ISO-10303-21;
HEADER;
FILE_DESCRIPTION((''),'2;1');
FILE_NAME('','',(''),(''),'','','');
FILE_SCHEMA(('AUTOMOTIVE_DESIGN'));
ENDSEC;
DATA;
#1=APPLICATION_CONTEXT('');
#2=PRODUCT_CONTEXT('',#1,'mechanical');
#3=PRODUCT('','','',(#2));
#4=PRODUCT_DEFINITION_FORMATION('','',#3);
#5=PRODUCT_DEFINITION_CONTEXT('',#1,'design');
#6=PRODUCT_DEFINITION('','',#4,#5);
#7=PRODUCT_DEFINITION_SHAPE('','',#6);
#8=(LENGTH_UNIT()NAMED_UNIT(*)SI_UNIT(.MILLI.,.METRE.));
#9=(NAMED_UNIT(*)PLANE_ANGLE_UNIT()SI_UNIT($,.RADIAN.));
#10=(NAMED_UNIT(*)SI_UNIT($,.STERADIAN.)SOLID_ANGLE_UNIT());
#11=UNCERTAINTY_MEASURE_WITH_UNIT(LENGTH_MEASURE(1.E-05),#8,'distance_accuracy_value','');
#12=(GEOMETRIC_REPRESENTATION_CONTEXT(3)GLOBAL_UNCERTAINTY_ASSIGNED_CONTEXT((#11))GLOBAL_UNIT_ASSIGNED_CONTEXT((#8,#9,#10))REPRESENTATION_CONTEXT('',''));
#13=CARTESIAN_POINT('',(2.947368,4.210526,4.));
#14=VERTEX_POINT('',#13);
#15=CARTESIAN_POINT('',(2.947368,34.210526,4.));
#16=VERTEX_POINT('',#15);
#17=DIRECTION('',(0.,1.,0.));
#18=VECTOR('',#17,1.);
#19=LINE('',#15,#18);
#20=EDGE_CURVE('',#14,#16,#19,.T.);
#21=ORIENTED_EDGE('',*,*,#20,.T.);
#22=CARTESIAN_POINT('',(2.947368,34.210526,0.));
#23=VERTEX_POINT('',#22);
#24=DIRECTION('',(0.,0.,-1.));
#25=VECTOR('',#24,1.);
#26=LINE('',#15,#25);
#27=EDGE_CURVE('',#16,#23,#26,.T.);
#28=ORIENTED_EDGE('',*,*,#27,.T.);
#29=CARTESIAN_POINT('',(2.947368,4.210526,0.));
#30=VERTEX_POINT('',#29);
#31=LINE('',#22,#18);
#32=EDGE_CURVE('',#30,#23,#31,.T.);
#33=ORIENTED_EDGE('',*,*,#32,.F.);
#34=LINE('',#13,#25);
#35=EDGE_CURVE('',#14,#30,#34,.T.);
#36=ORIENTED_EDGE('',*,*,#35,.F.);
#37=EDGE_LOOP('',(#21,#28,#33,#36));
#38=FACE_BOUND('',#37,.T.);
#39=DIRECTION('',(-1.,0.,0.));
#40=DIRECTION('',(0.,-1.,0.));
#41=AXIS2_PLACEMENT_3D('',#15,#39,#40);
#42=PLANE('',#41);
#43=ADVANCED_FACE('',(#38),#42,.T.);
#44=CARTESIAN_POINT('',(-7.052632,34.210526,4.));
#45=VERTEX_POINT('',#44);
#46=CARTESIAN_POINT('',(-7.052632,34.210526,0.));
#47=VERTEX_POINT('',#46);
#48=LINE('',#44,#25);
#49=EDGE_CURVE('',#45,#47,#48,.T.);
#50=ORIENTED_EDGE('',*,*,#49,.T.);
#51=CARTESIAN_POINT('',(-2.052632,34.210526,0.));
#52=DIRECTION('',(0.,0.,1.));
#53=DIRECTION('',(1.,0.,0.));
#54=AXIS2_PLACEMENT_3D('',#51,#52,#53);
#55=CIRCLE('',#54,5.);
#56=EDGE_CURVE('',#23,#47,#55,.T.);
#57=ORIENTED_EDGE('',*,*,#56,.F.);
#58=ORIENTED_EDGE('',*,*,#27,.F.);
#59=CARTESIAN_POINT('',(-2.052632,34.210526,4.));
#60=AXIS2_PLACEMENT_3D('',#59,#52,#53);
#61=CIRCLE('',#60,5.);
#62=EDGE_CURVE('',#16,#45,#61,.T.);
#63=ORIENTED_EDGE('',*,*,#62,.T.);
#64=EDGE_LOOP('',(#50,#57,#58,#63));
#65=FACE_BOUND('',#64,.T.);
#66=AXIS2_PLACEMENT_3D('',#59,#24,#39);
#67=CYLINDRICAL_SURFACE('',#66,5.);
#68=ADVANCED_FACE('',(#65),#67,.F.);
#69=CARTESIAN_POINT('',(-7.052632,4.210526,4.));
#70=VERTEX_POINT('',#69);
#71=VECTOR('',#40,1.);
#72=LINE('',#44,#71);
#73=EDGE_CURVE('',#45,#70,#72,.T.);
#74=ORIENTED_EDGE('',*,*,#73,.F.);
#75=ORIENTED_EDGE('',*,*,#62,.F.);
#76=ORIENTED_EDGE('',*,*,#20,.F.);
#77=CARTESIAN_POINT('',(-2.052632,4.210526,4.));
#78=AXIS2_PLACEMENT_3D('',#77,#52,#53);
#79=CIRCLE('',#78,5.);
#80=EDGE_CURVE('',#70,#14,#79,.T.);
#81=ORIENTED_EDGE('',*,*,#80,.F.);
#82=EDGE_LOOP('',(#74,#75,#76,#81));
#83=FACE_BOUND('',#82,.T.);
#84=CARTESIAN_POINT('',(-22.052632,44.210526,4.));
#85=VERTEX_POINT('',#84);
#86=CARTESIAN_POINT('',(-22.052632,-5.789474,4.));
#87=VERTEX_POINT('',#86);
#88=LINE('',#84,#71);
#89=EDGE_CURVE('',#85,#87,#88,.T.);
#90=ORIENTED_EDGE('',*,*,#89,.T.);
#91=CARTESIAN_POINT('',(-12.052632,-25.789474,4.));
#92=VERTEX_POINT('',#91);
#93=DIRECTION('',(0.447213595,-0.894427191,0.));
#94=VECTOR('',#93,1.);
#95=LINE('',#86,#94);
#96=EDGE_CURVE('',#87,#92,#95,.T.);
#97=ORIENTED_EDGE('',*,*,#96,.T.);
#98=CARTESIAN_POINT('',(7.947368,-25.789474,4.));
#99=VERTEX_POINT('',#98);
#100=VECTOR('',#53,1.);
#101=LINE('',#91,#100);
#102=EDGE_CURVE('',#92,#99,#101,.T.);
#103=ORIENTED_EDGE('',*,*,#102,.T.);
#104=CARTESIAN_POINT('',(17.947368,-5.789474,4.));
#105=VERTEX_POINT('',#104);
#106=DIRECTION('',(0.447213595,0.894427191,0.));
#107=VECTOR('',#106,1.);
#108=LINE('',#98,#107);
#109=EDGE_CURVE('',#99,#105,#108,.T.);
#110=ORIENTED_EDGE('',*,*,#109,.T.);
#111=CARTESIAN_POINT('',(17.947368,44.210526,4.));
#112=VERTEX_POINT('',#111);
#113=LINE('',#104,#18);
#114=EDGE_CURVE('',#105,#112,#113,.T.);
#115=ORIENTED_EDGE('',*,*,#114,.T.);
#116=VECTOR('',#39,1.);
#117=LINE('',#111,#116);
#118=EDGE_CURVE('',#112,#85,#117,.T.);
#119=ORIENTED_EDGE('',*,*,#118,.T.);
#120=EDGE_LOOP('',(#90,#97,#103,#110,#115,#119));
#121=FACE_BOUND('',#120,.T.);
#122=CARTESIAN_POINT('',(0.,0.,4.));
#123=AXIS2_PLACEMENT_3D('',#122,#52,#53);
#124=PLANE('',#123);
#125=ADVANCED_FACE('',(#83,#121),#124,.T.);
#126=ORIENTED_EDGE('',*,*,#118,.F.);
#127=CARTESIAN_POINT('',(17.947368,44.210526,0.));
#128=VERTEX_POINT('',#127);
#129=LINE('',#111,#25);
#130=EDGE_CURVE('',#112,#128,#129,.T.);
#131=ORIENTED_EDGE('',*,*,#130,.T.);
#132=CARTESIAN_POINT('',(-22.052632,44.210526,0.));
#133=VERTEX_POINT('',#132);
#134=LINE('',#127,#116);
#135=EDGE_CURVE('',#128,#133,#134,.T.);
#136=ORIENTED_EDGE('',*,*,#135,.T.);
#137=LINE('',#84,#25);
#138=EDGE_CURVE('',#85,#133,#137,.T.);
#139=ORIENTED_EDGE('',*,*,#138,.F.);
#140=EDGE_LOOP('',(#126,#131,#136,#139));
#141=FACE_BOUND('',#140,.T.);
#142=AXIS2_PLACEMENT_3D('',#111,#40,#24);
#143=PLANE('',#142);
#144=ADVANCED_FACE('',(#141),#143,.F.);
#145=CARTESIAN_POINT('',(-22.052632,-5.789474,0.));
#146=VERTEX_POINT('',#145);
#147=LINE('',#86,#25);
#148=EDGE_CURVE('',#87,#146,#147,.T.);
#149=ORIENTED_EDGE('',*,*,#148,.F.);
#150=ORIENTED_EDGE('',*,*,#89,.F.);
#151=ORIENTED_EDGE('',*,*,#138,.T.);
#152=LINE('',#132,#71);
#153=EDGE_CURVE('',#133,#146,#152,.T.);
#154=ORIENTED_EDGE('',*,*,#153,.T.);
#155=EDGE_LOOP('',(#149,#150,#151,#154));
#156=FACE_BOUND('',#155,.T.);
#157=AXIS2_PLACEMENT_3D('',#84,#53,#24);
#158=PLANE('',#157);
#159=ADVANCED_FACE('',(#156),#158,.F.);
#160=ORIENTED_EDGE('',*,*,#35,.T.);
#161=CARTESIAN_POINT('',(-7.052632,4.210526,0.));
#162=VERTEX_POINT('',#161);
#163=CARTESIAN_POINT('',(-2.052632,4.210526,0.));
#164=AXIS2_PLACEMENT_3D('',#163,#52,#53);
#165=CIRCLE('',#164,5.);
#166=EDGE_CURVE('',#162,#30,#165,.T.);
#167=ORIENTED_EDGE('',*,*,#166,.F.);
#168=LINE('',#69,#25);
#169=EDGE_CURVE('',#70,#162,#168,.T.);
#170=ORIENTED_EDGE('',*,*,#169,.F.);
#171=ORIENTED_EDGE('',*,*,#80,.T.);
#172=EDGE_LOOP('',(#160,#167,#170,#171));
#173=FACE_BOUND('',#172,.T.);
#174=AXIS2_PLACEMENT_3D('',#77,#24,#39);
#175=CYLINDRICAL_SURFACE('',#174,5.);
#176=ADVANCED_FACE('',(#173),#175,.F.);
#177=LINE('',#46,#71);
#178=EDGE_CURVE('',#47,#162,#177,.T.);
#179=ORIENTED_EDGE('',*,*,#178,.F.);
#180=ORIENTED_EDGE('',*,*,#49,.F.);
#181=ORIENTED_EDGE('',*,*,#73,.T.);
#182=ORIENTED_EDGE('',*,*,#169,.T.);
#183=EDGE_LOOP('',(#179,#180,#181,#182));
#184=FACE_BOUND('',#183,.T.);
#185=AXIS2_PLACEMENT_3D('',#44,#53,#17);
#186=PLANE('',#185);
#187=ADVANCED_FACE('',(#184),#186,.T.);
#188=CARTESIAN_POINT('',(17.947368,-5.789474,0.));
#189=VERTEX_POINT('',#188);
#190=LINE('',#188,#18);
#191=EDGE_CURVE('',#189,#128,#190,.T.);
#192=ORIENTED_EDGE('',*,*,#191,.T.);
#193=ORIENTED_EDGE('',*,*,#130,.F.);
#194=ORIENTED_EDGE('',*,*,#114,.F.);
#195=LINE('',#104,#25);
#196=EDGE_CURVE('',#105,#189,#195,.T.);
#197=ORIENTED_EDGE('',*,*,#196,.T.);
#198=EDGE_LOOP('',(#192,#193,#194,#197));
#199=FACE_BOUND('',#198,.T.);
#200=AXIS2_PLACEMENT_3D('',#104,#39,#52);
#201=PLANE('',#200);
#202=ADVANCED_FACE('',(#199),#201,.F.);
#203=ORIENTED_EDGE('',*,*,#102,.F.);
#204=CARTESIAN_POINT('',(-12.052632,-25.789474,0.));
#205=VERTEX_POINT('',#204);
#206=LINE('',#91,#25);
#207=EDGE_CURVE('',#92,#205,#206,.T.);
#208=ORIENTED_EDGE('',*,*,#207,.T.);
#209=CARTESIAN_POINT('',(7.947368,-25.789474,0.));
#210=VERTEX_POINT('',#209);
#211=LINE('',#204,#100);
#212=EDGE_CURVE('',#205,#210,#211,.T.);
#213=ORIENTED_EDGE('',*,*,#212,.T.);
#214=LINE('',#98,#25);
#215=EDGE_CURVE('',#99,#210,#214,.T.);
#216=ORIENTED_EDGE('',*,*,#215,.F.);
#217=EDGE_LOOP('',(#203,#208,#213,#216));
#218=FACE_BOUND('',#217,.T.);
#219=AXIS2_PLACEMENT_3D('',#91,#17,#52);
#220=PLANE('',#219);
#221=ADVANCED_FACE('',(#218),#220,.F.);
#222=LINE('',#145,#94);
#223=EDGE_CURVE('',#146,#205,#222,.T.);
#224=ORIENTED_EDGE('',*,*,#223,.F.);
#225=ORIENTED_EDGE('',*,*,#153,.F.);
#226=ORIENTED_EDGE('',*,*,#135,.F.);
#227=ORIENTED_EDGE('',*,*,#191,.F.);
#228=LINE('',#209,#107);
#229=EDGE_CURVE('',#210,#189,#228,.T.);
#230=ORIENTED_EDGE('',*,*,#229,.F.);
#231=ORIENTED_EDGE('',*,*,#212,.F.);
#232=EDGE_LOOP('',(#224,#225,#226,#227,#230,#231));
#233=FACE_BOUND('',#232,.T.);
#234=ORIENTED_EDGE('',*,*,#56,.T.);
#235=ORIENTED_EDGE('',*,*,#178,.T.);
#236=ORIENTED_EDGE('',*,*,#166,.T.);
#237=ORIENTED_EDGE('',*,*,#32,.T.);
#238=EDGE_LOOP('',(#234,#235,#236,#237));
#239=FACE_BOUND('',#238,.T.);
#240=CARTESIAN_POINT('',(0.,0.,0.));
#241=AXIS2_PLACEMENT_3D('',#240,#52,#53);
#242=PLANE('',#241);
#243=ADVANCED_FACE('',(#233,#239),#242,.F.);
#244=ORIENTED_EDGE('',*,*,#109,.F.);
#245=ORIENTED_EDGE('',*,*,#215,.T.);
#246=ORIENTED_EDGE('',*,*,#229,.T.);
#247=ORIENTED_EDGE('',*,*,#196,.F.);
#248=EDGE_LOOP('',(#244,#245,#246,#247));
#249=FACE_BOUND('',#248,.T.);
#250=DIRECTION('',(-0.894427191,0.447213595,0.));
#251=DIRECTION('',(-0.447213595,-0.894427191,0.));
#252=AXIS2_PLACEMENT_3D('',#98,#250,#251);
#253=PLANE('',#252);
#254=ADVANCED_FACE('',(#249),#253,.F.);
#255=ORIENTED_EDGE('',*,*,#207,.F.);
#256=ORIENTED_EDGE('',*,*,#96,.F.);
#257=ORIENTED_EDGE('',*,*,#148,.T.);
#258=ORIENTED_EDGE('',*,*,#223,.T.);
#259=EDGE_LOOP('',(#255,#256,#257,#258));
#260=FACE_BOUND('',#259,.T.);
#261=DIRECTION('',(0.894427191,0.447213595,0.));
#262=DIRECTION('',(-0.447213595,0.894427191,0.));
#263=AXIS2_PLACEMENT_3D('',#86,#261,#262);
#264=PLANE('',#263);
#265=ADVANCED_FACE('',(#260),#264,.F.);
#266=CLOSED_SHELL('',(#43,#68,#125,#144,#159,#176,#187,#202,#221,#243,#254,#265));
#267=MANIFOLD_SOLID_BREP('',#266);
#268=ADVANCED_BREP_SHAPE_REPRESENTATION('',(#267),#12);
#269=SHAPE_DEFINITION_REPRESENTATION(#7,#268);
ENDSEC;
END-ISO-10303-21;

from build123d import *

# Parameters (mm, degrees)
BOSS_EXTRUDE1_DEPTH = 4


with BuildPart() as part:
    # Sketch1 → Boss-Extrude1 (new body)
    with BuildSketch(Plane.XY):
        Polygon((17.947368421, 44.210526316), (-22.052631579, 44.210526316), (-22.052631579, -5.789473684), (-12.052631579, -25.789473684), (7.947368421, -25.789473684), (17.947368421, -5.789473684), align=None)
        with BuildLine():
            Line((2.947368421, 34.210526316), (2.947368421, 4.210526316))
            ThreePointArc((2.947368421, 4.210526316), (-2.052631579, -0.789473684), (-7.052631579, 4.210526316))
            Line((-7.052631579, 4.210526316), (-7.052631579, 34.210526316))
            ThreePointArc((-7.052631579, 34.210526316), (-2.052631579, 39.210526316), (2.947368421, 34.210526316))
        make_face(mode=Mode.SUBTRACT)
    extrude(amount=BOSS_EXTRUDE1_DEPTH)


solid = part.part
